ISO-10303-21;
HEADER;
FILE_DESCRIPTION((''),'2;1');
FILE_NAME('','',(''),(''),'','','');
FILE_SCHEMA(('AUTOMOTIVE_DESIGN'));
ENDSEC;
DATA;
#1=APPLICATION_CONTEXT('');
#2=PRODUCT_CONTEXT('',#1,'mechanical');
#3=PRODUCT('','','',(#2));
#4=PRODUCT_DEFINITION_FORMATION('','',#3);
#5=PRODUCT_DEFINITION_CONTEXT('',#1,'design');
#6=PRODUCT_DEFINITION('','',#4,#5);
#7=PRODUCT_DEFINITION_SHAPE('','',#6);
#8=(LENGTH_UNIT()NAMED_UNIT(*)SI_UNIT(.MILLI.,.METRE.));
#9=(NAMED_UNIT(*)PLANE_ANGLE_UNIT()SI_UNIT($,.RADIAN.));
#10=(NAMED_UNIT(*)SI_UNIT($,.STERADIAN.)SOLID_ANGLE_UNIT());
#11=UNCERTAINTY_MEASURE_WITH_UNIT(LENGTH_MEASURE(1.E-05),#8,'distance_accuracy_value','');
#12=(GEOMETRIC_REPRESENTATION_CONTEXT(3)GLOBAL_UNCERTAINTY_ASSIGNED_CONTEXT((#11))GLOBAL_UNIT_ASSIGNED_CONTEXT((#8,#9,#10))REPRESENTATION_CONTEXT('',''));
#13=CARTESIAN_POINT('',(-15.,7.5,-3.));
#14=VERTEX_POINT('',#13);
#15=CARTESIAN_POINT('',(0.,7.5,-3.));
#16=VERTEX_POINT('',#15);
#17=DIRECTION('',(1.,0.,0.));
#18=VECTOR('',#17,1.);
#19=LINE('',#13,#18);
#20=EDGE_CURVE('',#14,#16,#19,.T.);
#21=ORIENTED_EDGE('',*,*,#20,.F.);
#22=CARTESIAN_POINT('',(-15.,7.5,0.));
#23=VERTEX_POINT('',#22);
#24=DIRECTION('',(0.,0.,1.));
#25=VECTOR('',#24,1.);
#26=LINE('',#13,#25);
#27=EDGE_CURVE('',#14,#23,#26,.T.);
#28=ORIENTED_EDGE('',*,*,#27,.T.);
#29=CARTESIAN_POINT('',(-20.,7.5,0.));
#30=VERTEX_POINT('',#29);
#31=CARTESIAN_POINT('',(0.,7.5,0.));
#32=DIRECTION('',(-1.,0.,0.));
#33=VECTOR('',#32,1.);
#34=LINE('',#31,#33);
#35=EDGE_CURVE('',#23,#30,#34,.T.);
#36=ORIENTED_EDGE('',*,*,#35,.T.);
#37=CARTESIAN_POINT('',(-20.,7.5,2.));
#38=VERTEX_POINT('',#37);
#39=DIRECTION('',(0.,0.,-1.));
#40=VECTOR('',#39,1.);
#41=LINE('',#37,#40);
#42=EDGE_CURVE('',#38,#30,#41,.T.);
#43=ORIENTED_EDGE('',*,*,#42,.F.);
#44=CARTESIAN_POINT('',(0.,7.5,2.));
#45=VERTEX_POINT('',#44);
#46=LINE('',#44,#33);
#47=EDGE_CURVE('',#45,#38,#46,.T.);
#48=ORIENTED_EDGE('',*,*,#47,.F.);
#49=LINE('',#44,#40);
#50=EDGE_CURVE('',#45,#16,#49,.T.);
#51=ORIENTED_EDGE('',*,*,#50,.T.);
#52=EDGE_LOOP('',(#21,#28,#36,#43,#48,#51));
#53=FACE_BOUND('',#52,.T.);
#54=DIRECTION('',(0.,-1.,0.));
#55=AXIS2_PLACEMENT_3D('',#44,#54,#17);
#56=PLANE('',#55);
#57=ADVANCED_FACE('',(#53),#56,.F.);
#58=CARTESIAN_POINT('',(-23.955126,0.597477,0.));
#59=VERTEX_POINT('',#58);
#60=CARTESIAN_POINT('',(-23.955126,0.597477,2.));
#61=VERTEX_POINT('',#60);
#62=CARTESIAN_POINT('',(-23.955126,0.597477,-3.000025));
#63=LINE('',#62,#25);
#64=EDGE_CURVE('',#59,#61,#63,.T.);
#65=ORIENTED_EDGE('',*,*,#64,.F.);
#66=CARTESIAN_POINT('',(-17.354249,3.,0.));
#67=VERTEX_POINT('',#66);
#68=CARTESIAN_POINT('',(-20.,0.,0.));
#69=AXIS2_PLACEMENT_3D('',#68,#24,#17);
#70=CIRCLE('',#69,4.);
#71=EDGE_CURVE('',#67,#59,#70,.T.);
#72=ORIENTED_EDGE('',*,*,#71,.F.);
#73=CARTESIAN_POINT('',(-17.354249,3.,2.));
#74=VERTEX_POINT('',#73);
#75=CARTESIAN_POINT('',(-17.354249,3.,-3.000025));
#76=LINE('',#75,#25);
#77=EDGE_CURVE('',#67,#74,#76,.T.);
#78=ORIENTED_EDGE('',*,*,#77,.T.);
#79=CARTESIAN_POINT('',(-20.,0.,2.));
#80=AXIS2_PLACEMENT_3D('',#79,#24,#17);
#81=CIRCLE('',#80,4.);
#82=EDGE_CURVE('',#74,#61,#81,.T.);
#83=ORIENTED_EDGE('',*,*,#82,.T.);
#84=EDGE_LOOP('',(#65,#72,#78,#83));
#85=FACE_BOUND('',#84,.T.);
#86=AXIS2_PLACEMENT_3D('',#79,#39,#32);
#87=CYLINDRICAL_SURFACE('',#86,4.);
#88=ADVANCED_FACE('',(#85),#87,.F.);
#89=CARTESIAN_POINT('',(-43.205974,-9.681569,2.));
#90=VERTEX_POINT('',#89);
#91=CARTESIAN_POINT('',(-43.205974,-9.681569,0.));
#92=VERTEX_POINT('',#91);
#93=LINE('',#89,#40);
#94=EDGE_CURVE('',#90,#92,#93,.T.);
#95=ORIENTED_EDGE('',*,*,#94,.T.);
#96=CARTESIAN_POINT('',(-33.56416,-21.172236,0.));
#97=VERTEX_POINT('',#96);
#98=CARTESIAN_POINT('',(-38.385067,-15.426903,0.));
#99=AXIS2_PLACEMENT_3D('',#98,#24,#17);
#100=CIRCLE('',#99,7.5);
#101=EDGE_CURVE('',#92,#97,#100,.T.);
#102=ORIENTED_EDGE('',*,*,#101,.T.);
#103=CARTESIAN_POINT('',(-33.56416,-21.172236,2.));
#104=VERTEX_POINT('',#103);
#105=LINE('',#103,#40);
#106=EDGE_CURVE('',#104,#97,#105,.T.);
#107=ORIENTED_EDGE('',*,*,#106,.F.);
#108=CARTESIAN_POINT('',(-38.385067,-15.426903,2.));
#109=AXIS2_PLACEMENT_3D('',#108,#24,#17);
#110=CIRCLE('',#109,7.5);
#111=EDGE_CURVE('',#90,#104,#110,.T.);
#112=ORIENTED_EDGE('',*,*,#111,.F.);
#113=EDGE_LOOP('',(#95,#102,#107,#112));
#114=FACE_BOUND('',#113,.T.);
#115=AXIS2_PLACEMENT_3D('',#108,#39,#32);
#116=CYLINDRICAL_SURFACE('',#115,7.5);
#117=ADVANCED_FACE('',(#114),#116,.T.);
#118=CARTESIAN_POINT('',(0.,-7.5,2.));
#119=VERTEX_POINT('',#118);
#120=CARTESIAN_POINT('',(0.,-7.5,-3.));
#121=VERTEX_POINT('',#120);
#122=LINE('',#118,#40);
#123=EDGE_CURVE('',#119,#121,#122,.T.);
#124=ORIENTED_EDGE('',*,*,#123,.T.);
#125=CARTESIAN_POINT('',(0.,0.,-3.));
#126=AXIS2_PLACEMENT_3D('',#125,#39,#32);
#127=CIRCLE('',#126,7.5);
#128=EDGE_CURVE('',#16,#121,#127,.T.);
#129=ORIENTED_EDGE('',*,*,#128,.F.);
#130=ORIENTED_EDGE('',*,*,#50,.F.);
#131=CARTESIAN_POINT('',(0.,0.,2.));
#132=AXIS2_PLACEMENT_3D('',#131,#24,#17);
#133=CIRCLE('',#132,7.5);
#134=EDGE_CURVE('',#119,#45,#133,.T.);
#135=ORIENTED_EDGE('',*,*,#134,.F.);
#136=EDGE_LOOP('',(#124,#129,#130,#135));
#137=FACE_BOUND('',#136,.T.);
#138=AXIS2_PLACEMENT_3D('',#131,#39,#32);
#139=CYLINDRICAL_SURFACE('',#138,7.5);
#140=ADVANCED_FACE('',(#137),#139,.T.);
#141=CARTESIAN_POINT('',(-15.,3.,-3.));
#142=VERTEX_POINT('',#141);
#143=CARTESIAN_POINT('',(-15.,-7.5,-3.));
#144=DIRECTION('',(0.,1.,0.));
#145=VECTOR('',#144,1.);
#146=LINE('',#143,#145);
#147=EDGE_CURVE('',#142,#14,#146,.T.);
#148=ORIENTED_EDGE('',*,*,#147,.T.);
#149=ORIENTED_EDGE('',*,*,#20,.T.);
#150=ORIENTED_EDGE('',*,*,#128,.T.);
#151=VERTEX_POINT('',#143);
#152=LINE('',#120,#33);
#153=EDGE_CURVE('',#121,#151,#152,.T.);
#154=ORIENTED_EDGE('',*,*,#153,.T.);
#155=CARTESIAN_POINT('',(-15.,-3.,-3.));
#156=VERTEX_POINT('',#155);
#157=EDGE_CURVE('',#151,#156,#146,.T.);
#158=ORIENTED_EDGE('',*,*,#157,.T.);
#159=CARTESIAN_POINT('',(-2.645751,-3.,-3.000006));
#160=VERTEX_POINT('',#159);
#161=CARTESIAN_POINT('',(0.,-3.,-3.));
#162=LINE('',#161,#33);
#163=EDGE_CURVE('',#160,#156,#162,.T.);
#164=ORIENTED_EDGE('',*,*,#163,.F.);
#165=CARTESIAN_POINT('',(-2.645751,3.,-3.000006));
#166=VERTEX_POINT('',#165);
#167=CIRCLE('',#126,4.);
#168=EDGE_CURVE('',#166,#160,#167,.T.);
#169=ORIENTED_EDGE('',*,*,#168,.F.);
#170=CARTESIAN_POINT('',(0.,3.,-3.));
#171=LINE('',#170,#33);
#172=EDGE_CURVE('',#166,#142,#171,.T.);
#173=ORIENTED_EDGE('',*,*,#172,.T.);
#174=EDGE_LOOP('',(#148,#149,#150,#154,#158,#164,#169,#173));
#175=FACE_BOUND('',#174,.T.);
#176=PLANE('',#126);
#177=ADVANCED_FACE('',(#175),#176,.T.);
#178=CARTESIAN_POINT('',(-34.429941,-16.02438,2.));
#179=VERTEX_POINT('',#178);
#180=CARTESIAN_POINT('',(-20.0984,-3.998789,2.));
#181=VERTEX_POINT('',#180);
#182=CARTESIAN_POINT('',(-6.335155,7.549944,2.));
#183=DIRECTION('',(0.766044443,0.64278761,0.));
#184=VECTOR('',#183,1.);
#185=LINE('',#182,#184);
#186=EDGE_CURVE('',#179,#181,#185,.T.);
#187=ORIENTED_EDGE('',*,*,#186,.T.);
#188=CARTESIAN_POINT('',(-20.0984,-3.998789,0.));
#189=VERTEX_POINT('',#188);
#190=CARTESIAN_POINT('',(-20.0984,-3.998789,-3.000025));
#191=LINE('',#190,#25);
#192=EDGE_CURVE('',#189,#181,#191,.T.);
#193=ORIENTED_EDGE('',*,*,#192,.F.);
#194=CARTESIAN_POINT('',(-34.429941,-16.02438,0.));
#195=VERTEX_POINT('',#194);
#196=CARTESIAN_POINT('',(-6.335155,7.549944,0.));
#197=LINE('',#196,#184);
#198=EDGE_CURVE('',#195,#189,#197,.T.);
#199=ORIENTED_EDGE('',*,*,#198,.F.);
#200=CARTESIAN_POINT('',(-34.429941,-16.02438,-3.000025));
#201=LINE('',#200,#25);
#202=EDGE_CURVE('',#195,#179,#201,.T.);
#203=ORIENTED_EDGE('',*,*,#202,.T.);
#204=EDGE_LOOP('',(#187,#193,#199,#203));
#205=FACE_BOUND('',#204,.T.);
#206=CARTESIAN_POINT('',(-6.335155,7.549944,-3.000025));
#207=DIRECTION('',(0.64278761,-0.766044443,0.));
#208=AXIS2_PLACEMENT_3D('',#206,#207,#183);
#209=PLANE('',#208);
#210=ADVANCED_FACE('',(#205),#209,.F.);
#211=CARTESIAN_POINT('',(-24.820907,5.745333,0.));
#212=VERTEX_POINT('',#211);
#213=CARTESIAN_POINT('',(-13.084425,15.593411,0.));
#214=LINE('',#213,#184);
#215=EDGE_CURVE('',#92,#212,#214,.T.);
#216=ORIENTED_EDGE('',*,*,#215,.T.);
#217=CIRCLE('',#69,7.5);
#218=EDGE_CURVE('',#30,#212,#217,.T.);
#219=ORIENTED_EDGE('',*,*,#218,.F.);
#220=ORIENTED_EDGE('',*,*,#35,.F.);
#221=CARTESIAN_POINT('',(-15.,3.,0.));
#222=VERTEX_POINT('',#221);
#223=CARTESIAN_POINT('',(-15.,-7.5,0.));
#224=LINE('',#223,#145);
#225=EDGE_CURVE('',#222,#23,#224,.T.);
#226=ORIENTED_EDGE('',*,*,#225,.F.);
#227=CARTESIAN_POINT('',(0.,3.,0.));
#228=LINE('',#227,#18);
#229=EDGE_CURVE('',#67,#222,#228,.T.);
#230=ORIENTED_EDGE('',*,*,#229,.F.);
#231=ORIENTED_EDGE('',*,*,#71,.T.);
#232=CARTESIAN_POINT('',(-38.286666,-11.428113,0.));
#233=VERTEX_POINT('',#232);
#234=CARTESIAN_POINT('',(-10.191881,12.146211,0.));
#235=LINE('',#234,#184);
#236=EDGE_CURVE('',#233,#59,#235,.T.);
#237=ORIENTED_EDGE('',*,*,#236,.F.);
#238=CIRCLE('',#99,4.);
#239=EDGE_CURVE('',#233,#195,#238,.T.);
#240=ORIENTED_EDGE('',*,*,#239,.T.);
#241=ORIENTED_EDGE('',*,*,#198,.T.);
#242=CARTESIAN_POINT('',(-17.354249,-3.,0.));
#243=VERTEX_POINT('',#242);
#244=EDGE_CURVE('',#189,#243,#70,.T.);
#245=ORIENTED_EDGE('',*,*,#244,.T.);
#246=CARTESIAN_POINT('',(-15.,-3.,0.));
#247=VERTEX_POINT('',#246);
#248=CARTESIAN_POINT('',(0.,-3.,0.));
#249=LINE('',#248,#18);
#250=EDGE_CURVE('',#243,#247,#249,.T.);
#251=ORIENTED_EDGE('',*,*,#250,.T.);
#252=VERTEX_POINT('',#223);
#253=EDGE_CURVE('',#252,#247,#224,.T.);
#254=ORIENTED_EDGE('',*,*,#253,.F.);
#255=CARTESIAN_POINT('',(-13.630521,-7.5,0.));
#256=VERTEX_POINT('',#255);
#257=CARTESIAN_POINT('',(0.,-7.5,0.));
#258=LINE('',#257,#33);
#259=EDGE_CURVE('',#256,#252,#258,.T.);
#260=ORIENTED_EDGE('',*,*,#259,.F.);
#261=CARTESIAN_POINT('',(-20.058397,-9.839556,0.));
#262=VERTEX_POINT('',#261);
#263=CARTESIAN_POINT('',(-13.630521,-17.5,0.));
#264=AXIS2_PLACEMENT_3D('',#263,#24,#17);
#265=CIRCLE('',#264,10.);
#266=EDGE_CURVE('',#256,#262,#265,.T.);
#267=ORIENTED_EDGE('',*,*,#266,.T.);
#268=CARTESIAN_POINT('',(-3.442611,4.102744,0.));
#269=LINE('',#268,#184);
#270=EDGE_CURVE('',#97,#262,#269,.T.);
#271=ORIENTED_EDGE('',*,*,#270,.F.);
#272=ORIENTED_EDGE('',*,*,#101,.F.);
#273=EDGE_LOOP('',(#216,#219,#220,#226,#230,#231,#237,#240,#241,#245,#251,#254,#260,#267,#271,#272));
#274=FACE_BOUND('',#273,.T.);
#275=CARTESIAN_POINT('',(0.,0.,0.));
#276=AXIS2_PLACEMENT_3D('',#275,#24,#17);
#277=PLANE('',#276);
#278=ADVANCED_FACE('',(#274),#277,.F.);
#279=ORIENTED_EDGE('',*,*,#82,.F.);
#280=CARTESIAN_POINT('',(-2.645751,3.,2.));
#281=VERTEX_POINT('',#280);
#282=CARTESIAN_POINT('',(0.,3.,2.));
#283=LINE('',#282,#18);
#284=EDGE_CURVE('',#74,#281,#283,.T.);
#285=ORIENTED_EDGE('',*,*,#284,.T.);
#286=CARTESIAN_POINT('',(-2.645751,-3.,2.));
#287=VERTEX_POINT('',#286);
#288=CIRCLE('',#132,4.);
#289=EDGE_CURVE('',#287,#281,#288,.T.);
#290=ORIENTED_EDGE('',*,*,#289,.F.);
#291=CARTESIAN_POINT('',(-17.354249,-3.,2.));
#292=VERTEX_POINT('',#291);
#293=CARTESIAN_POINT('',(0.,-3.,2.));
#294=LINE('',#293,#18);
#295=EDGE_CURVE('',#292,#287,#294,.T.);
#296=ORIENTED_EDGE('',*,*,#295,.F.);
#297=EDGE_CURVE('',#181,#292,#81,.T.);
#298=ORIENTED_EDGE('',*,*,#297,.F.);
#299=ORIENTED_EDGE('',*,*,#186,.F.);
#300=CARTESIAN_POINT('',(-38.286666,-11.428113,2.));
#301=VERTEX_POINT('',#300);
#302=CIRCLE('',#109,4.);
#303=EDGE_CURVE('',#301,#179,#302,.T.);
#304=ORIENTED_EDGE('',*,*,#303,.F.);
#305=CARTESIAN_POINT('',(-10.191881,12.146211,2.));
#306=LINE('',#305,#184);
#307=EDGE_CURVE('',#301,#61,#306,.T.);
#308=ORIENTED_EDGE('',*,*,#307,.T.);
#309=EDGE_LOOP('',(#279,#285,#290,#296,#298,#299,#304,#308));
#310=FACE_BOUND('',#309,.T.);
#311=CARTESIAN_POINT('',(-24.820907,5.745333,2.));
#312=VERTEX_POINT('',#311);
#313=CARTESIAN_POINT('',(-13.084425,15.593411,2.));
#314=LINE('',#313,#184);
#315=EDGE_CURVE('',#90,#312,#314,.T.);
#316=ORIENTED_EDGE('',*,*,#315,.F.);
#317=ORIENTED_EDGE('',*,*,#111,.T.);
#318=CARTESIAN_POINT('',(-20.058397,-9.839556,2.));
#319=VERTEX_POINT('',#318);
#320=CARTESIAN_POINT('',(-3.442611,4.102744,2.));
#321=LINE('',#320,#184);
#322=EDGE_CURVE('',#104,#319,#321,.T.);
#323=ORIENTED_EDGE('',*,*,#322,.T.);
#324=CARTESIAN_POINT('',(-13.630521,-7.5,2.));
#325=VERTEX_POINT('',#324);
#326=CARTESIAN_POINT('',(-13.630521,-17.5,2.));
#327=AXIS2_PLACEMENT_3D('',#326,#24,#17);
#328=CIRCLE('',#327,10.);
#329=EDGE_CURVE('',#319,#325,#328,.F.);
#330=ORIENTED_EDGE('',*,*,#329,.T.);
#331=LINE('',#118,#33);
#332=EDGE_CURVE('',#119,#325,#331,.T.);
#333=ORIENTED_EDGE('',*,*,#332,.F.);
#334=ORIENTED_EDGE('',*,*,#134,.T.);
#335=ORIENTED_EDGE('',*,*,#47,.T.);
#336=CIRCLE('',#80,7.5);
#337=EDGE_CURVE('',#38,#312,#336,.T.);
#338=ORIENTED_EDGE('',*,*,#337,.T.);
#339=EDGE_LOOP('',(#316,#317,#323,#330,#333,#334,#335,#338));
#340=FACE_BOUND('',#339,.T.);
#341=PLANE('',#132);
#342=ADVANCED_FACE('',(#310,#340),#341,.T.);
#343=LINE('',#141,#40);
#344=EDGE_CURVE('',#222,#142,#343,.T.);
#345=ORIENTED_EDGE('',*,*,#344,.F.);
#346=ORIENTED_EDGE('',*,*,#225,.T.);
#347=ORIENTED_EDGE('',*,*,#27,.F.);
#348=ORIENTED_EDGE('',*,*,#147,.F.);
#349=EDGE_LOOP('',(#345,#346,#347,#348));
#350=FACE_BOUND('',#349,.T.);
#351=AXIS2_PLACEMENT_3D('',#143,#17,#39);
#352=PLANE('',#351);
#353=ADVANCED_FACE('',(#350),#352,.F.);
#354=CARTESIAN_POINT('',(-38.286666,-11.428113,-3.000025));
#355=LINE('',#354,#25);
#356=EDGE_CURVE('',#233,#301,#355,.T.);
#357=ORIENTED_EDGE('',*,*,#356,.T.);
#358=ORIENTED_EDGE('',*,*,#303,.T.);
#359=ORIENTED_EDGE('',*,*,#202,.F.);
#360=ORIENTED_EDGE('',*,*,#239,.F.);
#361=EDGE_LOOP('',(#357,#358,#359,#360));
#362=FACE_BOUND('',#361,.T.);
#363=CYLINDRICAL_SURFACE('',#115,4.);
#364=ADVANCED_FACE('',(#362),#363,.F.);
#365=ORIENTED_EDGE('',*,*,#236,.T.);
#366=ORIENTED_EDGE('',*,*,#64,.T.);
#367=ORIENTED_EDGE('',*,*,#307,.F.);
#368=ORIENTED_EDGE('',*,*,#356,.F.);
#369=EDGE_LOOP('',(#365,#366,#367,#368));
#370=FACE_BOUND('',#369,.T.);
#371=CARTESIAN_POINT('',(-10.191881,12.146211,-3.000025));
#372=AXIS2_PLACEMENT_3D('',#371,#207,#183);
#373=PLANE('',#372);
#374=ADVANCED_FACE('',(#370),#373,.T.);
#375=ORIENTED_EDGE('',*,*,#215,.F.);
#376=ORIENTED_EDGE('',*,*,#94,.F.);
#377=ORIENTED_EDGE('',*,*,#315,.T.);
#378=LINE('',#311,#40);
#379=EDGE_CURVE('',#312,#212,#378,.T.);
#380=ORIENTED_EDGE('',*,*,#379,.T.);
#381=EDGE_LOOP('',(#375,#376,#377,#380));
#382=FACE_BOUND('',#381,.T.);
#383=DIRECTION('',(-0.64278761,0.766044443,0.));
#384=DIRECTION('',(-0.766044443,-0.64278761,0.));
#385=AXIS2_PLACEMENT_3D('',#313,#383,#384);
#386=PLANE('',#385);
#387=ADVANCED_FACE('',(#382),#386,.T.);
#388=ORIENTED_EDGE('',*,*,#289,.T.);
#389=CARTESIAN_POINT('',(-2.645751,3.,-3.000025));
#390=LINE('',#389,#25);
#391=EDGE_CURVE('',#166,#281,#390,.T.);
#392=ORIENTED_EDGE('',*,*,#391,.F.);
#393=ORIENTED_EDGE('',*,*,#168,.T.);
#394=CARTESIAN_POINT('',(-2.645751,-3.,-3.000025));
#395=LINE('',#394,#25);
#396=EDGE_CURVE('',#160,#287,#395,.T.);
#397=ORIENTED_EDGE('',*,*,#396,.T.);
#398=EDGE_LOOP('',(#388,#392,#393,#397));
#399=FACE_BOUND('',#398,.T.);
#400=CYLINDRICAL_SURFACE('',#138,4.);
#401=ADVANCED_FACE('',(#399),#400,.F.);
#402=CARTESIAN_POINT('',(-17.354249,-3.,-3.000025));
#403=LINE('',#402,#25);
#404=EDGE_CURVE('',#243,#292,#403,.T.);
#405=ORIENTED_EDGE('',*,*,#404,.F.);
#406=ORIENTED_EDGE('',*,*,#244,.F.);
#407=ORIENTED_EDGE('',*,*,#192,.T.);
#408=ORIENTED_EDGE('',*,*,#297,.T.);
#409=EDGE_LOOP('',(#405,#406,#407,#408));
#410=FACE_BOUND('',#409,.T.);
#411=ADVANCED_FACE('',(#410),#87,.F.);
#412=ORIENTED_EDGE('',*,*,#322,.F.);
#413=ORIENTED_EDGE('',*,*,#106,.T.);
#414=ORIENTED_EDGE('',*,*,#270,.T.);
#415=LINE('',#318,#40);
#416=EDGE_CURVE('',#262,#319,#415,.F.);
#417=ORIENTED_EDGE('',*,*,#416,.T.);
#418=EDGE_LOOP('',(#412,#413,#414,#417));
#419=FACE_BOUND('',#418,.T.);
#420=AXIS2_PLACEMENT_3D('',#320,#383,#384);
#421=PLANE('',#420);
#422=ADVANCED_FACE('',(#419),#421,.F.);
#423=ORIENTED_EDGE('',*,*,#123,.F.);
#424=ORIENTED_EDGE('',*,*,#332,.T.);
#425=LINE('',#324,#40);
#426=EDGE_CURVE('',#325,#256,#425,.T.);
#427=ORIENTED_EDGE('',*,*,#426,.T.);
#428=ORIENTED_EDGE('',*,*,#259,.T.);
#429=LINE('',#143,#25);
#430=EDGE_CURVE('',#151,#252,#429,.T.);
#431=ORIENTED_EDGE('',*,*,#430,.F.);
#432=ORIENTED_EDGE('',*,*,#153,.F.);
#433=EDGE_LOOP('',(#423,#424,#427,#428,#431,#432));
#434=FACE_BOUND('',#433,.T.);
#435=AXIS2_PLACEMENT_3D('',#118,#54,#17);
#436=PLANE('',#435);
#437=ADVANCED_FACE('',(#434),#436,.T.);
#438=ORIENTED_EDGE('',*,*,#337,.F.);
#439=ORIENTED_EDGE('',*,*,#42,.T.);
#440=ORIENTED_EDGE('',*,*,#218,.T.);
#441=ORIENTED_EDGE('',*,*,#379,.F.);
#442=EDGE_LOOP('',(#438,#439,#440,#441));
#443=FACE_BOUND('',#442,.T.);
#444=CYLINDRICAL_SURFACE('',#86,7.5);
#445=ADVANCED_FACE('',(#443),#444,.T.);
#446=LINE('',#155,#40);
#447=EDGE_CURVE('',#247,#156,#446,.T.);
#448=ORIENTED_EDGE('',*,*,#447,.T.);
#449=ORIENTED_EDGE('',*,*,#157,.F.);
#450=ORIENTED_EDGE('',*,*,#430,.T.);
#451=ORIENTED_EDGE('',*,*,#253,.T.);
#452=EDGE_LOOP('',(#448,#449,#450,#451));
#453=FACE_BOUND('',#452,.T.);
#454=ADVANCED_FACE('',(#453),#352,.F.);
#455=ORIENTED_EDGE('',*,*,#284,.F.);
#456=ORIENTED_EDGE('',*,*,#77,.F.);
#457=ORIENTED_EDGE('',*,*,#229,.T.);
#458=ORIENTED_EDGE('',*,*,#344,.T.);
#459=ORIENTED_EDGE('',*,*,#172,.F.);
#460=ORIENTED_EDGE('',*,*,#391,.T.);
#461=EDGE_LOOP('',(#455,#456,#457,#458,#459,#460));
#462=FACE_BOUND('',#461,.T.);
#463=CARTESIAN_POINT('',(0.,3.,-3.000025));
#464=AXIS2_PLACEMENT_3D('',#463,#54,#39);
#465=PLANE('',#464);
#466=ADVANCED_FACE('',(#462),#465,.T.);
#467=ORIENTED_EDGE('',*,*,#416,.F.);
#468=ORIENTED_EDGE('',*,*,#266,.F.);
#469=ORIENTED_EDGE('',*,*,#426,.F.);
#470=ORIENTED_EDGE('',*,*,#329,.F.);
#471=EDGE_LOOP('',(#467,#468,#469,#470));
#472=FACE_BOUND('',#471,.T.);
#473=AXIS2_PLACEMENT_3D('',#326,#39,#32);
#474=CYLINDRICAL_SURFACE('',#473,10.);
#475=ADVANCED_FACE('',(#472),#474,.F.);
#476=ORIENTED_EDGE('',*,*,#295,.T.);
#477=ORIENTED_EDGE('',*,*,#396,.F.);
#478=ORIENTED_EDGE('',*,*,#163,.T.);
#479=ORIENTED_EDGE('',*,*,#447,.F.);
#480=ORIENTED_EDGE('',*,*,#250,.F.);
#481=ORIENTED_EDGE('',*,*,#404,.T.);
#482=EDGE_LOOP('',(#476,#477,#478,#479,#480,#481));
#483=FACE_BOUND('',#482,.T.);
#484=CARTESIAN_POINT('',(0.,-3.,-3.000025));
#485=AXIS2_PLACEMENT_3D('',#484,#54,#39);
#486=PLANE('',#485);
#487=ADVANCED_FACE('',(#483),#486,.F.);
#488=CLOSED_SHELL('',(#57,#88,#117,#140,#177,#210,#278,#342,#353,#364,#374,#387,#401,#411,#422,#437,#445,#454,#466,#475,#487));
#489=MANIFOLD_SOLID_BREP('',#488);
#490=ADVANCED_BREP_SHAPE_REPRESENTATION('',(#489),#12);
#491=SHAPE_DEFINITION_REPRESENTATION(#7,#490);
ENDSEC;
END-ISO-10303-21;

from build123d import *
from build123d.topology import SkipClean

# Parameters (mm, degrees)
SKETCH_1_R          = 7.5
SKETCH_1_R_2        = 4
EXTRUDE_1_DEPTH     = 2
FILLET_1_R          = 10
EXTRUDE_START       = 3
SKETCH_2_R          = 4
EXTRUDE_2_DEPTH     = 3
CUT_EXTRUDE_1_DEPTH = 52.537192438


with BuildPart() as part:
    # Эскиз1 → Бобышка-Вытянуть1 (new body)
    # profile 1 of 6: a face of its own
    with BuildSketch(Plane.XY):
        with Locations((-38.385066635, -15.426902632)):
            Circle(SKETCH_1_R)
        with Locations((-38.385066635, -15.426902632)):
            Circle(SKETCH_1_R_2, mode=Mode.SUBTRACT)
    # profile 2 of 6: a face of its own
    with BuildSketch(Plane.XY):
        with BuildLine():
            ThreePointArc((-20, -7.5), (-27.047694656, -2.565151075), (-24.820907073, 5.745333323))
            Line((-24.820907073, 5.745333323), (-43.205973708, -9.681569309))
            ThreePointArc((-43.205973708, -9.681569309), (-35.215429672, -8.62959423), (-30.885066635, -15.426902632))
            ThreePointArc((-30.885066635, -15.426902632), (-31.587758232, -18.596539596), (-33.564159562, -21.172235956))
            Line((-33.564159562, -21.172235956), (-17.270223243, -7.5))
            Line((-17.270223243, -7.5), (-20, -7.5))
        make_face()
    # profile 3 of 6: a face of its own
    with BuildSketch(Plane.XY):
        with Locations((-20, 0)):
            Circle(SKETCH_1_R)
        with Locations((-20, 0)):
            Circle(SKETCH_1_R_2, mode=Mode.SUBTRACT)
    # profile 4 of 6: a face of its own
    with BuildSketch(Plane.XY):
        with BuildLine():
            Line((-20, -7.5), (-17.270223243, -7.5))
            Line((-17.270223243, -7.5), (-15.179092927, -5.745333323))
            ThreePointArc((-15.179092927, -5.745333323), (-17.434848925, -7.047694656), (-20, -7.5))
        make_face()
    # profile 5 of 6: a face of its own
    with BuildSketch(Plane.XY):
        with BuildLine():
            ThreePointArc((0, -7.5), (-7.5, 0), (0, 7.5))
            Line((0, 7.5), (-20, 7.5))
            ThreePointArc((-20, 7.5), (-14.696699141, 5.303300859), (-12.5, 0))
            ThreePointArc((-12.5, 0), (-13.202691597, -3.169636963), (-15.179092927, -5.745333323))
            Line((-15.179092927, -5.745333323), (-17.270223243, -7.5))
            Line((-17.270223243, -7.5), (0, -7.5))
        make_face()
    # profile 6 of 6: a face of its own
    with BuildSketch(Plane.XY):
        Circle(SKETCH_1_R)
        Circle(SKETCH_1_R_2, mode=Mode.SUBTRACT)
    extrude(amount=EXTRUDE_1_DEPTH)

    # Скругление1
    fillet_1_edges = [part.edges().sort_by_distance(p)[0] for p in [
        (-17.270223243, -7.5, 1),
    ]]
    fillet(fillet_1_edges, radius=FILLET_1_R)

    # Эскиз2 → Бобышка-Вытянуть2 (add)
    with SkipClean():  # the faces are left unmerged after this step: merging them gives an invalid solid
        with BuildSketch(Plane(origin=(0, 0, 0), x_dir=(-1, 0, 0), z_dir=(0, 0, -1)).offset(EXTRUDE_START)):
            with BuildLine():
                Line((0, -7.5), (15, -7.5))
                Line((15, -7.5), (15, 7.5))
                Line((15, 7.5), (0, 7.5))
                ThreePointArc((0, 7.5), (-7.5, 0), (0, -7.5))
            make_face()
            Circle(SKETCH_2_R, mode=Mode.SUBTRACT)
        extrude(amount=-EXTRUDE_2_DEPTH)

    # Эскиз4 → Вырез-Вытянуть1 (cut, through all)
    with BuildSketch(Plane.XY.offset(2)):
        with BuildLine():
            Line((-23.955125919, 0.597477168), (-38.286666374, -11.428113142))
            ThreePointArc((-38.286666374, -11.428113142), (-35.52206113, -12.633481884), (-34.385066635, -15.426902632))
            ThreePointArc((-34.385066635, -15.426902632), (-34.396300931, -15.726482609), (-34.429940716, -16.024379801))
            Line((-34.429940716, -16.024379801), (-20.098400261, -3.99878949))
            ThreePointArc((-20.098400261, -3.99878949), (-23.064177772, -2.571150439), (-23.955125919, 0.597477168))
        make_face()
        with BuildLine():
            Line((-2.645751311, 3), (-17.354248689, 3))
            ThreePointArc((-17.354248689, 3), (-16.354248689, 1.645751311), (-16, 0))
            ThreePointArc((-16, 0), (-16.354248689, -1.645751311), (-17.354248689, -3))
            Line((-17.354248689, -3), (-2.645751311, -3))
            ThreePointArc((-2.645751311, -3), (-4, 0), (-2.645751311, 3))
        make_face()
    extrude(amount=-CUT_EXTRUDE_1_DEPTH, mode=Mode.SUBTRACT)


solid = part.part
